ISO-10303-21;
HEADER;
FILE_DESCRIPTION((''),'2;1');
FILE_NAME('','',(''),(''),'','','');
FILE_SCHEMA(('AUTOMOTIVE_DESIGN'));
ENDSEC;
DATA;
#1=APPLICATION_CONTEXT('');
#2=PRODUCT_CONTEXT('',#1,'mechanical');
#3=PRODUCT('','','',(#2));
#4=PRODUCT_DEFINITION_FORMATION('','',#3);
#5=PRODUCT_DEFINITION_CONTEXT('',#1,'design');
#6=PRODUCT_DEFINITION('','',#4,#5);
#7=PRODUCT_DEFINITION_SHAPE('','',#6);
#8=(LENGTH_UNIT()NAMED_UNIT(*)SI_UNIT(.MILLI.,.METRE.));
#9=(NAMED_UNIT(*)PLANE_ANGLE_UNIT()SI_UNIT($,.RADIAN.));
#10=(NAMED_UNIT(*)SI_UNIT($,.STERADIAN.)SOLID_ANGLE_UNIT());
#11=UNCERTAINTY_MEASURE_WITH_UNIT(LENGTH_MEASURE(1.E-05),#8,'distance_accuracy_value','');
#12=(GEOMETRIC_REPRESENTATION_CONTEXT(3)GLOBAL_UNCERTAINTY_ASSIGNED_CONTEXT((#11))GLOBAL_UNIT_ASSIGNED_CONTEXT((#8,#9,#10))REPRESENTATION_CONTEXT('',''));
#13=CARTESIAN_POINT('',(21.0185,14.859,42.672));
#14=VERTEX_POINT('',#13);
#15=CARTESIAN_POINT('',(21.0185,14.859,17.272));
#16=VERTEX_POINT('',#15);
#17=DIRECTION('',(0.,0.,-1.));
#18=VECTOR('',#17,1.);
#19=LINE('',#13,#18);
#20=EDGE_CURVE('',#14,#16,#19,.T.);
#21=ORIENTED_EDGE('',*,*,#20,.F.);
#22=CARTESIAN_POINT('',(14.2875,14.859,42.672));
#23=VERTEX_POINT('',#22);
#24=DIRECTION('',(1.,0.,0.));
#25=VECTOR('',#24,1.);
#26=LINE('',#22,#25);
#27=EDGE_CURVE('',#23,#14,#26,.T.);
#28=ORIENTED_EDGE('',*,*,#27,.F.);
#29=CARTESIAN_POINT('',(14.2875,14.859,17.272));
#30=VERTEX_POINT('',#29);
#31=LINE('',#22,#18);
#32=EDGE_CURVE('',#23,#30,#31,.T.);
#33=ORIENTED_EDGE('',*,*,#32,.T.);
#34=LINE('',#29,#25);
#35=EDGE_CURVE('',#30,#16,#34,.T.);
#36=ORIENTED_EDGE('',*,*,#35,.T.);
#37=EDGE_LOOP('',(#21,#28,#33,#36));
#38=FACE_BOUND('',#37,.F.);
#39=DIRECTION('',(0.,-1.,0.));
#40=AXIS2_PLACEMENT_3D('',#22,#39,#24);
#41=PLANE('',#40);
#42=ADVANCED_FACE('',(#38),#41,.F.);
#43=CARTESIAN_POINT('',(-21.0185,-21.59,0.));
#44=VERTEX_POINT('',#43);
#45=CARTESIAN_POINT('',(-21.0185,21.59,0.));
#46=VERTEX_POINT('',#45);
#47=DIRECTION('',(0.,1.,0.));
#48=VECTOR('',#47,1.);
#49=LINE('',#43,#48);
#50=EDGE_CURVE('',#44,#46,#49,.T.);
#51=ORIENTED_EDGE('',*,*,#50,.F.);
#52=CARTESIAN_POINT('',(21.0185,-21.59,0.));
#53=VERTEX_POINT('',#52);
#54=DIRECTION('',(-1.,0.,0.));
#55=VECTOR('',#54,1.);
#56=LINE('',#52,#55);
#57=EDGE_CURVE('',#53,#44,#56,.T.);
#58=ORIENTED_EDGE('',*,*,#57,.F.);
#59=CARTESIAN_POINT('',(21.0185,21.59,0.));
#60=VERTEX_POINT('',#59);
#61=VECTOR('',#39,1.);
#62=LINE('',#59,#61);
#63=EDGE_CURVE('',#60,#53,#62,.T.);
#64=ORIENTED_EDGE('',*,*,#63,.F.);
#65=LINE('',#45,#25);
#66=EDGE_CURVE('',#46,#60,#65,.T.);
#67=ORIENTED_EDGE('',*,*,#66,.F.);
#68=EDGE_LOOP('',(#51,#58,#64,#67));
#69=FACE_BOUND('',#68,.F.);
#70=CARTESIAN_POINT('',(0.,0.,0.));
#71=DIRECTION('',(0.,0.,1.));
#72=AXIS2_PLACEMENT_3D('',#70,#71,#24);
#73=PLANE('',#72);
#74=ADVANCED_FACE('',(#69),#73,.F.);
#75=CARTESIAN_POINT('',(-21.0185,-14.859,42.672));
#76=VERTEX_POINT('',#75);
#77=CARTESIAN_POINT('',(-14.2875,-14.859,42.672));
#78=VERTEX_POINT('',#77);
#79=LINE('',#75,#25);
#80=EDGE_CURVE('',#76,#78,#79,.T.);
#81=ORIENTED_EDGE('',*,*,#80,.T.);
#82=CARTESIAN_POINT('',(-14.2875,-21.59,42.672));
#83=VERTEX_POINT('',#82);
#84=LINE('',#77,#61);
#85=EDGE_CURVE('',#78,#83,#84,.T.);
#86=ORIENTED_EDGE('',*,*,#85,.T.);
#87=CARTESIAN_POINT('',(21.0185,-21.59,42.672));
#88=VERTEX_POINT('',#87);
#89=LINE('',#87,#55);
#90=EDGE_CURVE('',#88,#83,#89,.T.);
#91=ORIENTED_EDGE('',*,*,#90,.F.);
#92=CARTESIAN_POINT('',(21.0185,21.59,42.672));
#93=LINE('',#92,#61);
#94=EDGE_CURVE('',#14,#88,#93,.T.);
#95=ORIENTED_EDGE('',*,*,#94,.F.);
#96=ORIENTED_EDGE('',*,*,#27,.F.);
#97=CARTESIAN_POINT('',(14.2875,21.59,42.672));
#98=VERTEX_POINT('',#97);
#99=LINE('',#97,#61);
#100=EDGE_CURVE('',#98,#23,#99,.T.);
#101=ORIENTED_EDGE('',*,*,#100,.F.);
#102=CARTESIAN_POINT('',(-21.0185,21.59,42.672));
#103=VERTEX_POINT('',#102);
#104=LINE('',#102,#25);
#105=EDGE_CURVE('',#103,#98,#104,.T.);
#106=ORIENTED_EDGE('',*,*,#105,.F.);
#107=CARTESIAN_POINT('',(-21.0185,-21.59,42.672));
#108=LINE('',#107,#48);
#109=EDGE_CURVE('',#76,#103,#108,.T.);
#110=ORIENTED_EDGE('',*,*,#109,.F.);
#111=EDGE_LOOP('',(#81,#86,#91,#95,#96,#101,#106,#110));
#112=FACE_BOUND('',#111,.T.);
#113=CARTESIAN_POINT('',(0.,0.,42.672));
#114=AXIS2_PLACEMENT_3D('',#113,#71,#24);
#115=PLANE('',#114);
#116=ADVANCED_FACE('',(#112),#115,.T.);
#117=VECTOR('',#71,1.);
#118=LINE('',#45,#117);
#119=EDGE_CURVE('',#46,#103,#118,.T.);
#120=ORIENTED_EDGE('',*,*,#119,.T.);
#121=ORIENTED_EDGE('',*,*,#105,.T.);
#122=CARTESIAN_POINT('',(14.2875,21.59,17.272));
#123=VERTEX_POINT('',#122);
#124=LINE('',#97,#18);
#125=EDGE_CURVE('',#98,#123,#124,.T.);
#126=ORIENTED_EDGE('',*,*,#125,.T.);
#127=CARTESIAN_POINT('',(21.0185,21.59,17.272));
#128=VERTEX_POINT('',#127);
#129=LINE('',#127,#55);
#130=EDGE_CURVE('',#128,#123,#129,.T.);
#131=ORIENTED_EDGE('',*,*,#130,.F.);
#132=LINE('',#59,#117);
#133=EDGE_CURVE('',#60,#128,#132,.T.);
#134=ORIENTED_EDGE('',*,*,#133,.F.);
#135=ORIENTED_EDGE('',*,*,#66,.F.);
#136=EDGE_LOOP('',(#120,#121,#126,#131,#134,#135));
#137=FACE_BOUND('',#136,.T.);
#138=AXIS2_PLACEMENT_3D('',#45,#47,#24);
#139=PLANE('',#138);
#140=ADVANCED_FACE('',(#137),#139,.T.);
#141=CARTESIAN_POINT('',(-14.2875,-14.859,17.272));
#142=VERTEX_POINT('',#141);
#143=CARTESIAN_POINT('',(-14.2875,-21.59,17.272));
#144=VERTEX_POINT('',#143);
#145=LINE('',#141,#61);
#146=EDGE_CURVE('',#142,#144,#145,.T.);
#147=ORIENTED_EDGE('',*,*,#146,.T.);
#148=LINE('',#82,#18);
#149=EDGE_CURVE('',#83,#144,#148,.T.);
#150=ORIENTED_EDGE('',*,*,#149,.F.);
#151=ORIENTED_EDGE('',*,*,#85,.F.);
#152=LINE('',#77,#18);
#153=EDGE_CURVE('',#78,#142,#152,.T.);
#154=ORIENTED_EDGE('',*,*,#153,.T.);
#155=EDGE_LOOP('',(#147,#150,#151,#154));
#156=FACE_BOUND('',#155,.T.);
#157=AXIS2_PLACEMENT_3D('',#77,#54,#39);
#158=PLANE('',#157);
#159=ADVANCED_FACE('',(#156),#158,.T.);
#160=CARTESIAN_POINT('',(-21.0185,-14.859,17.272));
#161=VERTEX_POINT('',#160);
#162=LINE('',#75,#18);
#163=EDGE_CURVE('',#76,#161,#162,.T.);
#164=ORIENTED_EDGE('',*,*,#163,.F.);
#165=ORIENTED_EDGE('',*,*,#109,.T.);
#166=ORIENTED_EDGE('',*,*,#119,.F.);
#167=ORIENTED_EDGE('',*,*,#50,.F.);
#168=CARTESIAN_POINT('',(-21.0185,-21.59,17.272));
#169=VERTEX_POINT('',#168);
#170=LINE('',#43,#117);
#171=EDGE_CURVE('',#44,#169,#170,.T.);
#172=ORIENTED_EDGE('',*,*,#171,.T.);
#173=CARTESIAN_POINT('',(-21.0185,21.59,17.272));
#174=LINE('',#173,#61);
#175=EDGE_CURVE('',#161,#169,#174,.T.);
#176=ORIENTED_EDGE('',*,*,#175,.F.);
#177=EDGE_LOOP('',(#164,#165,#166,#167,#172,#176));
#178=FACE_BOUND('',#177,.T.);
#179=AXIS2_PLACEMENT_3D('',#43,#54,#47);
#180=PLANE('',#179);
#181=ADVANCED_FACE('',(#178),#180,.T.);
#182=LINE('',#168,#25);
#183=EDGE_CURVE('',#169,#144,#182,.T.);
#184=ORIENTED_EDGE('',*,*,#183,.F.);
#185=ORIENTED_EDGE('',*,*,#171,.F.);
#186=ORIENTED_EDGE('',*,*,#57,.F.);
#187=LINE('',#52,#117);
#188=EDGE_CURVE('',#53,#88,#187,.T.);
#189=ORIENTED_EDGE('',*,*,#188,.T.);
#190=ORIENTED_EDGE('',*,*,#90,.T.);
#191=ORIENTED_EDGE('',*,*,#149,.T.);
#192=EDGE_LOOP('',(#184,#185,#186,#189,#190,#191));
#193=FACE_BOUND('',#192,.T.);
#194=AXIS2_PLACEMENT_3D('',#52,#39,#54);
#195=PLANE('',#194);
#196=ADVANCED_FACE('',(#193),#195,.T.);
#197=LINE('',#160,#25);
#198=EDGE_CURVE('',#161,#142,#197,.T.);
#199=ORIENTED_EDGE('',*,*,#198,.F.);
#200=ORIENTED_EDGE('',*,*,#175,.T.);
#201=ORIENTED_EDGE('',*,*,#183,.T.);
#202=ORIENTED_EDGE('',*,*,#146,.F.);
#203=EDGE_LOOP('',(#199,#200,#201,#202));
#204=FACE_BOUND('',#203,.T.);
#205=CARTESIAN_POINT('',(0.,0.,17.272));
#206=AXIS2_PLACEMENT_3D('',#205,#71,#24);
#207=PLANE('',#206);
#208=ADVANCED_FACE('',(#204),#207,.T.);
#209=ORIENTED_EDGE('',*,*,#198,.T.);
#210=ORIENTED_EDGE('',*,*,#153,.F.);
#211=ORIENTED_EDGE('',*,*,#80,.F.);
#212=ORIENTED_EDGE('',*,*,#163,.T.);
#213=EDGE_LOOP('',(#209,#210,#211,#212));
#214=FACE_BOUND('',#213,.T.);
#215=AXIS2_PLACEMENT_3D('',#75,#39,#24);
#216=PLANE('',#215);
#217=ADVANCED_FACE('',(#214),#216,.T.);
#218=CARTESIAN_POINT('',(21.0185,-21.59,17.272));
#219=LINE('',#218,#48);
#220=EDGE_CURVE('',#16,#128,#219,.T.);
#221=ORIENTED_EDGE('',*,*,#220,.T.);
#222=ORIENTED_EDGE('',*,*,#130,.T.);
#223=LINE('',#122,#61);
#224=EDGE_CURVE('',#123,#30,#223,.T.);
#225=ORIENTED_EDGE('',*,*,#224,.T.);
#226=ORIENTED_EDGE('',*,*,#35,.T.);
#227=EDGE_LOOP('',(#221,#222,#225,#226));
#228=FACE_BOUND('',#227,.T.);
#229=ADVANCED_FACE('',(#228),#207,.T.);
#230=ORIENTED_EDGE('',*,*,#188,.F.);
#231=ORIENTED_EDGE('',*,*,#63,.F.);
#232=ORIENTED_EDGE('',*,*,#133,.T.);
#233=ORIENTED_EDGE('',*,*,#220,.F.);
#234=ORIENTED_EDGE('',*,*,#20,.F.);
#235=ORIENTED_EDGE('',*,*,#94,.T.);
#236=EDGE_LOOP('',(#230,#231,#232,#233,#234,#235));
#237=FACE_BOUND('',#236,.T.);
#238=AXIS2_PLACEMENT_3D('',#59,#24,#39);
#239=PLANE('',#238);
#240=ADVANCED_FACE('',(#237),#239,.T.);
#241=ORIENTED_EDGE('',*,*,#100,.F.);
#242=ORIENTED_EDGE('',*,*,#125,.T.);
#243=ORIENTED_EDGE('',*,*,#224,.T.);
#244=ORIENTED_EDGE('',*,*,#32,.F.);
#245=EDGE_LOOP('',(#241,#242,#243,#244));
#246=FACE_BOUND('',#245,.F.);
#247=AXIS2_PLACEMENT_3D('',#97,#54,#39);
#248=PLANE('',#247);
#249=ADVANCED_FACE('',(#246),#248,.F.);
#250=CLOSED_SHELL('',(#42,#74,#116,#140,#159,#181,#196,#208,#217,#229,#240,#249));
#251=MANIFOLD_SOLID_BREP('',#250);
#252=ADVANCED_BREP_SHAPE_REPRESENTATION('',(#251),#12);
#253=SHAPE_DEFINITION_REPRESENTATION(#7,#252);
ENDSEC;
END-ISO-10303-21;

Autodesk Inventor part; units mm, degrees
ref_plane "YZ Plane" through (0, 0, 0) normal (1, 0, 0) x (0, 1, 0)
ref_plane "XZ Plane" through (0, 0, 0) normal (0, 1, 0) x (-1, 0, 0)
ref_plane "XY Plane" through (0, 0, 0) normal (0, 0, 1) x (1, 0, 0)
sketch "Sketch1" plane through (0, 0, 0) normal (0, 0, 1) x (1, 0, 0)
  line L0 (-21.0185, 21.59) -> (21.0185, 21.59)
  line L1 (21.0185, 21.59) -> (21.0185, -21.59)
  line L2 (21.0185, -21.59) -> (-21.0185, -21.59)
  line L3 (-21.0185, -21.59) -> (-21.0185, 21.59)
  point P0 (0, 0)
  dimension "d0" = 42.037
  dimension "d1" = 43.18
  dimension "d2" = 21.59
  dimension "d3" = 21.0185
extrude "Extrusion1" add sketch "Sketch1" along normal blind 42.672
sketch "Sketch2" plane through (0, 0, 42.672) normal (0, 0, 1) x (1, 0, 0)
  line L0 (21.0185, 21.59) -> (-21.0185, 21.59) projected
  line L1 (14.2875, 21.59) -> (14.2875, 14.859)
  line L2 (14.2875, 14.859) -> (21.0185, 14.859)
  line L3 (-21.0185, 21.59) -> (-21.0185, -21.59) projected
  line L4 (-21.0185, -14.859) -> (-14.2875, -14.859)
  line L5 (-14.2875, -14.859) -> (-14.2875, -21.59)
  line L6 (-21.0185, -21.59) -> (21.0185, -21.59) projected
  line L7 (21.0185, -21.59) -> (21.0185, 21.59) projected
  line L8 (14.2875, 21.59) -> (21.0185, 21.59)
  line L9 (21.0185, 21.59) -> (21.0185, 14.859)
  line L10 (-21.0185, -14.859) -> (-21.0185, -21.59)
  line L11 (-21.0185, -21.59) -> (-14.2875, -21.59)
  point P0 (0, 0)
  dimension "d6" = 6.731
  dimension "d7" = 6.731
  dimension "d8" = 6.731
  dimension "d9" = 6.731
  dimension "d10" = 0
extrude "Extrusion2" cut sketch "Sketch2" against normal blind 25.4 contours L7 L2 L1 L0 | L4 L5 L6 L3
equation "\"d2\" = 0.5 * d1"
equation "\"d3\" = 0.5 * d0"
equation "\"d6\" = d7"
equation "\"d8\" = d7"
equation "\"d9\" = d8"
properties part number "Transmission"
